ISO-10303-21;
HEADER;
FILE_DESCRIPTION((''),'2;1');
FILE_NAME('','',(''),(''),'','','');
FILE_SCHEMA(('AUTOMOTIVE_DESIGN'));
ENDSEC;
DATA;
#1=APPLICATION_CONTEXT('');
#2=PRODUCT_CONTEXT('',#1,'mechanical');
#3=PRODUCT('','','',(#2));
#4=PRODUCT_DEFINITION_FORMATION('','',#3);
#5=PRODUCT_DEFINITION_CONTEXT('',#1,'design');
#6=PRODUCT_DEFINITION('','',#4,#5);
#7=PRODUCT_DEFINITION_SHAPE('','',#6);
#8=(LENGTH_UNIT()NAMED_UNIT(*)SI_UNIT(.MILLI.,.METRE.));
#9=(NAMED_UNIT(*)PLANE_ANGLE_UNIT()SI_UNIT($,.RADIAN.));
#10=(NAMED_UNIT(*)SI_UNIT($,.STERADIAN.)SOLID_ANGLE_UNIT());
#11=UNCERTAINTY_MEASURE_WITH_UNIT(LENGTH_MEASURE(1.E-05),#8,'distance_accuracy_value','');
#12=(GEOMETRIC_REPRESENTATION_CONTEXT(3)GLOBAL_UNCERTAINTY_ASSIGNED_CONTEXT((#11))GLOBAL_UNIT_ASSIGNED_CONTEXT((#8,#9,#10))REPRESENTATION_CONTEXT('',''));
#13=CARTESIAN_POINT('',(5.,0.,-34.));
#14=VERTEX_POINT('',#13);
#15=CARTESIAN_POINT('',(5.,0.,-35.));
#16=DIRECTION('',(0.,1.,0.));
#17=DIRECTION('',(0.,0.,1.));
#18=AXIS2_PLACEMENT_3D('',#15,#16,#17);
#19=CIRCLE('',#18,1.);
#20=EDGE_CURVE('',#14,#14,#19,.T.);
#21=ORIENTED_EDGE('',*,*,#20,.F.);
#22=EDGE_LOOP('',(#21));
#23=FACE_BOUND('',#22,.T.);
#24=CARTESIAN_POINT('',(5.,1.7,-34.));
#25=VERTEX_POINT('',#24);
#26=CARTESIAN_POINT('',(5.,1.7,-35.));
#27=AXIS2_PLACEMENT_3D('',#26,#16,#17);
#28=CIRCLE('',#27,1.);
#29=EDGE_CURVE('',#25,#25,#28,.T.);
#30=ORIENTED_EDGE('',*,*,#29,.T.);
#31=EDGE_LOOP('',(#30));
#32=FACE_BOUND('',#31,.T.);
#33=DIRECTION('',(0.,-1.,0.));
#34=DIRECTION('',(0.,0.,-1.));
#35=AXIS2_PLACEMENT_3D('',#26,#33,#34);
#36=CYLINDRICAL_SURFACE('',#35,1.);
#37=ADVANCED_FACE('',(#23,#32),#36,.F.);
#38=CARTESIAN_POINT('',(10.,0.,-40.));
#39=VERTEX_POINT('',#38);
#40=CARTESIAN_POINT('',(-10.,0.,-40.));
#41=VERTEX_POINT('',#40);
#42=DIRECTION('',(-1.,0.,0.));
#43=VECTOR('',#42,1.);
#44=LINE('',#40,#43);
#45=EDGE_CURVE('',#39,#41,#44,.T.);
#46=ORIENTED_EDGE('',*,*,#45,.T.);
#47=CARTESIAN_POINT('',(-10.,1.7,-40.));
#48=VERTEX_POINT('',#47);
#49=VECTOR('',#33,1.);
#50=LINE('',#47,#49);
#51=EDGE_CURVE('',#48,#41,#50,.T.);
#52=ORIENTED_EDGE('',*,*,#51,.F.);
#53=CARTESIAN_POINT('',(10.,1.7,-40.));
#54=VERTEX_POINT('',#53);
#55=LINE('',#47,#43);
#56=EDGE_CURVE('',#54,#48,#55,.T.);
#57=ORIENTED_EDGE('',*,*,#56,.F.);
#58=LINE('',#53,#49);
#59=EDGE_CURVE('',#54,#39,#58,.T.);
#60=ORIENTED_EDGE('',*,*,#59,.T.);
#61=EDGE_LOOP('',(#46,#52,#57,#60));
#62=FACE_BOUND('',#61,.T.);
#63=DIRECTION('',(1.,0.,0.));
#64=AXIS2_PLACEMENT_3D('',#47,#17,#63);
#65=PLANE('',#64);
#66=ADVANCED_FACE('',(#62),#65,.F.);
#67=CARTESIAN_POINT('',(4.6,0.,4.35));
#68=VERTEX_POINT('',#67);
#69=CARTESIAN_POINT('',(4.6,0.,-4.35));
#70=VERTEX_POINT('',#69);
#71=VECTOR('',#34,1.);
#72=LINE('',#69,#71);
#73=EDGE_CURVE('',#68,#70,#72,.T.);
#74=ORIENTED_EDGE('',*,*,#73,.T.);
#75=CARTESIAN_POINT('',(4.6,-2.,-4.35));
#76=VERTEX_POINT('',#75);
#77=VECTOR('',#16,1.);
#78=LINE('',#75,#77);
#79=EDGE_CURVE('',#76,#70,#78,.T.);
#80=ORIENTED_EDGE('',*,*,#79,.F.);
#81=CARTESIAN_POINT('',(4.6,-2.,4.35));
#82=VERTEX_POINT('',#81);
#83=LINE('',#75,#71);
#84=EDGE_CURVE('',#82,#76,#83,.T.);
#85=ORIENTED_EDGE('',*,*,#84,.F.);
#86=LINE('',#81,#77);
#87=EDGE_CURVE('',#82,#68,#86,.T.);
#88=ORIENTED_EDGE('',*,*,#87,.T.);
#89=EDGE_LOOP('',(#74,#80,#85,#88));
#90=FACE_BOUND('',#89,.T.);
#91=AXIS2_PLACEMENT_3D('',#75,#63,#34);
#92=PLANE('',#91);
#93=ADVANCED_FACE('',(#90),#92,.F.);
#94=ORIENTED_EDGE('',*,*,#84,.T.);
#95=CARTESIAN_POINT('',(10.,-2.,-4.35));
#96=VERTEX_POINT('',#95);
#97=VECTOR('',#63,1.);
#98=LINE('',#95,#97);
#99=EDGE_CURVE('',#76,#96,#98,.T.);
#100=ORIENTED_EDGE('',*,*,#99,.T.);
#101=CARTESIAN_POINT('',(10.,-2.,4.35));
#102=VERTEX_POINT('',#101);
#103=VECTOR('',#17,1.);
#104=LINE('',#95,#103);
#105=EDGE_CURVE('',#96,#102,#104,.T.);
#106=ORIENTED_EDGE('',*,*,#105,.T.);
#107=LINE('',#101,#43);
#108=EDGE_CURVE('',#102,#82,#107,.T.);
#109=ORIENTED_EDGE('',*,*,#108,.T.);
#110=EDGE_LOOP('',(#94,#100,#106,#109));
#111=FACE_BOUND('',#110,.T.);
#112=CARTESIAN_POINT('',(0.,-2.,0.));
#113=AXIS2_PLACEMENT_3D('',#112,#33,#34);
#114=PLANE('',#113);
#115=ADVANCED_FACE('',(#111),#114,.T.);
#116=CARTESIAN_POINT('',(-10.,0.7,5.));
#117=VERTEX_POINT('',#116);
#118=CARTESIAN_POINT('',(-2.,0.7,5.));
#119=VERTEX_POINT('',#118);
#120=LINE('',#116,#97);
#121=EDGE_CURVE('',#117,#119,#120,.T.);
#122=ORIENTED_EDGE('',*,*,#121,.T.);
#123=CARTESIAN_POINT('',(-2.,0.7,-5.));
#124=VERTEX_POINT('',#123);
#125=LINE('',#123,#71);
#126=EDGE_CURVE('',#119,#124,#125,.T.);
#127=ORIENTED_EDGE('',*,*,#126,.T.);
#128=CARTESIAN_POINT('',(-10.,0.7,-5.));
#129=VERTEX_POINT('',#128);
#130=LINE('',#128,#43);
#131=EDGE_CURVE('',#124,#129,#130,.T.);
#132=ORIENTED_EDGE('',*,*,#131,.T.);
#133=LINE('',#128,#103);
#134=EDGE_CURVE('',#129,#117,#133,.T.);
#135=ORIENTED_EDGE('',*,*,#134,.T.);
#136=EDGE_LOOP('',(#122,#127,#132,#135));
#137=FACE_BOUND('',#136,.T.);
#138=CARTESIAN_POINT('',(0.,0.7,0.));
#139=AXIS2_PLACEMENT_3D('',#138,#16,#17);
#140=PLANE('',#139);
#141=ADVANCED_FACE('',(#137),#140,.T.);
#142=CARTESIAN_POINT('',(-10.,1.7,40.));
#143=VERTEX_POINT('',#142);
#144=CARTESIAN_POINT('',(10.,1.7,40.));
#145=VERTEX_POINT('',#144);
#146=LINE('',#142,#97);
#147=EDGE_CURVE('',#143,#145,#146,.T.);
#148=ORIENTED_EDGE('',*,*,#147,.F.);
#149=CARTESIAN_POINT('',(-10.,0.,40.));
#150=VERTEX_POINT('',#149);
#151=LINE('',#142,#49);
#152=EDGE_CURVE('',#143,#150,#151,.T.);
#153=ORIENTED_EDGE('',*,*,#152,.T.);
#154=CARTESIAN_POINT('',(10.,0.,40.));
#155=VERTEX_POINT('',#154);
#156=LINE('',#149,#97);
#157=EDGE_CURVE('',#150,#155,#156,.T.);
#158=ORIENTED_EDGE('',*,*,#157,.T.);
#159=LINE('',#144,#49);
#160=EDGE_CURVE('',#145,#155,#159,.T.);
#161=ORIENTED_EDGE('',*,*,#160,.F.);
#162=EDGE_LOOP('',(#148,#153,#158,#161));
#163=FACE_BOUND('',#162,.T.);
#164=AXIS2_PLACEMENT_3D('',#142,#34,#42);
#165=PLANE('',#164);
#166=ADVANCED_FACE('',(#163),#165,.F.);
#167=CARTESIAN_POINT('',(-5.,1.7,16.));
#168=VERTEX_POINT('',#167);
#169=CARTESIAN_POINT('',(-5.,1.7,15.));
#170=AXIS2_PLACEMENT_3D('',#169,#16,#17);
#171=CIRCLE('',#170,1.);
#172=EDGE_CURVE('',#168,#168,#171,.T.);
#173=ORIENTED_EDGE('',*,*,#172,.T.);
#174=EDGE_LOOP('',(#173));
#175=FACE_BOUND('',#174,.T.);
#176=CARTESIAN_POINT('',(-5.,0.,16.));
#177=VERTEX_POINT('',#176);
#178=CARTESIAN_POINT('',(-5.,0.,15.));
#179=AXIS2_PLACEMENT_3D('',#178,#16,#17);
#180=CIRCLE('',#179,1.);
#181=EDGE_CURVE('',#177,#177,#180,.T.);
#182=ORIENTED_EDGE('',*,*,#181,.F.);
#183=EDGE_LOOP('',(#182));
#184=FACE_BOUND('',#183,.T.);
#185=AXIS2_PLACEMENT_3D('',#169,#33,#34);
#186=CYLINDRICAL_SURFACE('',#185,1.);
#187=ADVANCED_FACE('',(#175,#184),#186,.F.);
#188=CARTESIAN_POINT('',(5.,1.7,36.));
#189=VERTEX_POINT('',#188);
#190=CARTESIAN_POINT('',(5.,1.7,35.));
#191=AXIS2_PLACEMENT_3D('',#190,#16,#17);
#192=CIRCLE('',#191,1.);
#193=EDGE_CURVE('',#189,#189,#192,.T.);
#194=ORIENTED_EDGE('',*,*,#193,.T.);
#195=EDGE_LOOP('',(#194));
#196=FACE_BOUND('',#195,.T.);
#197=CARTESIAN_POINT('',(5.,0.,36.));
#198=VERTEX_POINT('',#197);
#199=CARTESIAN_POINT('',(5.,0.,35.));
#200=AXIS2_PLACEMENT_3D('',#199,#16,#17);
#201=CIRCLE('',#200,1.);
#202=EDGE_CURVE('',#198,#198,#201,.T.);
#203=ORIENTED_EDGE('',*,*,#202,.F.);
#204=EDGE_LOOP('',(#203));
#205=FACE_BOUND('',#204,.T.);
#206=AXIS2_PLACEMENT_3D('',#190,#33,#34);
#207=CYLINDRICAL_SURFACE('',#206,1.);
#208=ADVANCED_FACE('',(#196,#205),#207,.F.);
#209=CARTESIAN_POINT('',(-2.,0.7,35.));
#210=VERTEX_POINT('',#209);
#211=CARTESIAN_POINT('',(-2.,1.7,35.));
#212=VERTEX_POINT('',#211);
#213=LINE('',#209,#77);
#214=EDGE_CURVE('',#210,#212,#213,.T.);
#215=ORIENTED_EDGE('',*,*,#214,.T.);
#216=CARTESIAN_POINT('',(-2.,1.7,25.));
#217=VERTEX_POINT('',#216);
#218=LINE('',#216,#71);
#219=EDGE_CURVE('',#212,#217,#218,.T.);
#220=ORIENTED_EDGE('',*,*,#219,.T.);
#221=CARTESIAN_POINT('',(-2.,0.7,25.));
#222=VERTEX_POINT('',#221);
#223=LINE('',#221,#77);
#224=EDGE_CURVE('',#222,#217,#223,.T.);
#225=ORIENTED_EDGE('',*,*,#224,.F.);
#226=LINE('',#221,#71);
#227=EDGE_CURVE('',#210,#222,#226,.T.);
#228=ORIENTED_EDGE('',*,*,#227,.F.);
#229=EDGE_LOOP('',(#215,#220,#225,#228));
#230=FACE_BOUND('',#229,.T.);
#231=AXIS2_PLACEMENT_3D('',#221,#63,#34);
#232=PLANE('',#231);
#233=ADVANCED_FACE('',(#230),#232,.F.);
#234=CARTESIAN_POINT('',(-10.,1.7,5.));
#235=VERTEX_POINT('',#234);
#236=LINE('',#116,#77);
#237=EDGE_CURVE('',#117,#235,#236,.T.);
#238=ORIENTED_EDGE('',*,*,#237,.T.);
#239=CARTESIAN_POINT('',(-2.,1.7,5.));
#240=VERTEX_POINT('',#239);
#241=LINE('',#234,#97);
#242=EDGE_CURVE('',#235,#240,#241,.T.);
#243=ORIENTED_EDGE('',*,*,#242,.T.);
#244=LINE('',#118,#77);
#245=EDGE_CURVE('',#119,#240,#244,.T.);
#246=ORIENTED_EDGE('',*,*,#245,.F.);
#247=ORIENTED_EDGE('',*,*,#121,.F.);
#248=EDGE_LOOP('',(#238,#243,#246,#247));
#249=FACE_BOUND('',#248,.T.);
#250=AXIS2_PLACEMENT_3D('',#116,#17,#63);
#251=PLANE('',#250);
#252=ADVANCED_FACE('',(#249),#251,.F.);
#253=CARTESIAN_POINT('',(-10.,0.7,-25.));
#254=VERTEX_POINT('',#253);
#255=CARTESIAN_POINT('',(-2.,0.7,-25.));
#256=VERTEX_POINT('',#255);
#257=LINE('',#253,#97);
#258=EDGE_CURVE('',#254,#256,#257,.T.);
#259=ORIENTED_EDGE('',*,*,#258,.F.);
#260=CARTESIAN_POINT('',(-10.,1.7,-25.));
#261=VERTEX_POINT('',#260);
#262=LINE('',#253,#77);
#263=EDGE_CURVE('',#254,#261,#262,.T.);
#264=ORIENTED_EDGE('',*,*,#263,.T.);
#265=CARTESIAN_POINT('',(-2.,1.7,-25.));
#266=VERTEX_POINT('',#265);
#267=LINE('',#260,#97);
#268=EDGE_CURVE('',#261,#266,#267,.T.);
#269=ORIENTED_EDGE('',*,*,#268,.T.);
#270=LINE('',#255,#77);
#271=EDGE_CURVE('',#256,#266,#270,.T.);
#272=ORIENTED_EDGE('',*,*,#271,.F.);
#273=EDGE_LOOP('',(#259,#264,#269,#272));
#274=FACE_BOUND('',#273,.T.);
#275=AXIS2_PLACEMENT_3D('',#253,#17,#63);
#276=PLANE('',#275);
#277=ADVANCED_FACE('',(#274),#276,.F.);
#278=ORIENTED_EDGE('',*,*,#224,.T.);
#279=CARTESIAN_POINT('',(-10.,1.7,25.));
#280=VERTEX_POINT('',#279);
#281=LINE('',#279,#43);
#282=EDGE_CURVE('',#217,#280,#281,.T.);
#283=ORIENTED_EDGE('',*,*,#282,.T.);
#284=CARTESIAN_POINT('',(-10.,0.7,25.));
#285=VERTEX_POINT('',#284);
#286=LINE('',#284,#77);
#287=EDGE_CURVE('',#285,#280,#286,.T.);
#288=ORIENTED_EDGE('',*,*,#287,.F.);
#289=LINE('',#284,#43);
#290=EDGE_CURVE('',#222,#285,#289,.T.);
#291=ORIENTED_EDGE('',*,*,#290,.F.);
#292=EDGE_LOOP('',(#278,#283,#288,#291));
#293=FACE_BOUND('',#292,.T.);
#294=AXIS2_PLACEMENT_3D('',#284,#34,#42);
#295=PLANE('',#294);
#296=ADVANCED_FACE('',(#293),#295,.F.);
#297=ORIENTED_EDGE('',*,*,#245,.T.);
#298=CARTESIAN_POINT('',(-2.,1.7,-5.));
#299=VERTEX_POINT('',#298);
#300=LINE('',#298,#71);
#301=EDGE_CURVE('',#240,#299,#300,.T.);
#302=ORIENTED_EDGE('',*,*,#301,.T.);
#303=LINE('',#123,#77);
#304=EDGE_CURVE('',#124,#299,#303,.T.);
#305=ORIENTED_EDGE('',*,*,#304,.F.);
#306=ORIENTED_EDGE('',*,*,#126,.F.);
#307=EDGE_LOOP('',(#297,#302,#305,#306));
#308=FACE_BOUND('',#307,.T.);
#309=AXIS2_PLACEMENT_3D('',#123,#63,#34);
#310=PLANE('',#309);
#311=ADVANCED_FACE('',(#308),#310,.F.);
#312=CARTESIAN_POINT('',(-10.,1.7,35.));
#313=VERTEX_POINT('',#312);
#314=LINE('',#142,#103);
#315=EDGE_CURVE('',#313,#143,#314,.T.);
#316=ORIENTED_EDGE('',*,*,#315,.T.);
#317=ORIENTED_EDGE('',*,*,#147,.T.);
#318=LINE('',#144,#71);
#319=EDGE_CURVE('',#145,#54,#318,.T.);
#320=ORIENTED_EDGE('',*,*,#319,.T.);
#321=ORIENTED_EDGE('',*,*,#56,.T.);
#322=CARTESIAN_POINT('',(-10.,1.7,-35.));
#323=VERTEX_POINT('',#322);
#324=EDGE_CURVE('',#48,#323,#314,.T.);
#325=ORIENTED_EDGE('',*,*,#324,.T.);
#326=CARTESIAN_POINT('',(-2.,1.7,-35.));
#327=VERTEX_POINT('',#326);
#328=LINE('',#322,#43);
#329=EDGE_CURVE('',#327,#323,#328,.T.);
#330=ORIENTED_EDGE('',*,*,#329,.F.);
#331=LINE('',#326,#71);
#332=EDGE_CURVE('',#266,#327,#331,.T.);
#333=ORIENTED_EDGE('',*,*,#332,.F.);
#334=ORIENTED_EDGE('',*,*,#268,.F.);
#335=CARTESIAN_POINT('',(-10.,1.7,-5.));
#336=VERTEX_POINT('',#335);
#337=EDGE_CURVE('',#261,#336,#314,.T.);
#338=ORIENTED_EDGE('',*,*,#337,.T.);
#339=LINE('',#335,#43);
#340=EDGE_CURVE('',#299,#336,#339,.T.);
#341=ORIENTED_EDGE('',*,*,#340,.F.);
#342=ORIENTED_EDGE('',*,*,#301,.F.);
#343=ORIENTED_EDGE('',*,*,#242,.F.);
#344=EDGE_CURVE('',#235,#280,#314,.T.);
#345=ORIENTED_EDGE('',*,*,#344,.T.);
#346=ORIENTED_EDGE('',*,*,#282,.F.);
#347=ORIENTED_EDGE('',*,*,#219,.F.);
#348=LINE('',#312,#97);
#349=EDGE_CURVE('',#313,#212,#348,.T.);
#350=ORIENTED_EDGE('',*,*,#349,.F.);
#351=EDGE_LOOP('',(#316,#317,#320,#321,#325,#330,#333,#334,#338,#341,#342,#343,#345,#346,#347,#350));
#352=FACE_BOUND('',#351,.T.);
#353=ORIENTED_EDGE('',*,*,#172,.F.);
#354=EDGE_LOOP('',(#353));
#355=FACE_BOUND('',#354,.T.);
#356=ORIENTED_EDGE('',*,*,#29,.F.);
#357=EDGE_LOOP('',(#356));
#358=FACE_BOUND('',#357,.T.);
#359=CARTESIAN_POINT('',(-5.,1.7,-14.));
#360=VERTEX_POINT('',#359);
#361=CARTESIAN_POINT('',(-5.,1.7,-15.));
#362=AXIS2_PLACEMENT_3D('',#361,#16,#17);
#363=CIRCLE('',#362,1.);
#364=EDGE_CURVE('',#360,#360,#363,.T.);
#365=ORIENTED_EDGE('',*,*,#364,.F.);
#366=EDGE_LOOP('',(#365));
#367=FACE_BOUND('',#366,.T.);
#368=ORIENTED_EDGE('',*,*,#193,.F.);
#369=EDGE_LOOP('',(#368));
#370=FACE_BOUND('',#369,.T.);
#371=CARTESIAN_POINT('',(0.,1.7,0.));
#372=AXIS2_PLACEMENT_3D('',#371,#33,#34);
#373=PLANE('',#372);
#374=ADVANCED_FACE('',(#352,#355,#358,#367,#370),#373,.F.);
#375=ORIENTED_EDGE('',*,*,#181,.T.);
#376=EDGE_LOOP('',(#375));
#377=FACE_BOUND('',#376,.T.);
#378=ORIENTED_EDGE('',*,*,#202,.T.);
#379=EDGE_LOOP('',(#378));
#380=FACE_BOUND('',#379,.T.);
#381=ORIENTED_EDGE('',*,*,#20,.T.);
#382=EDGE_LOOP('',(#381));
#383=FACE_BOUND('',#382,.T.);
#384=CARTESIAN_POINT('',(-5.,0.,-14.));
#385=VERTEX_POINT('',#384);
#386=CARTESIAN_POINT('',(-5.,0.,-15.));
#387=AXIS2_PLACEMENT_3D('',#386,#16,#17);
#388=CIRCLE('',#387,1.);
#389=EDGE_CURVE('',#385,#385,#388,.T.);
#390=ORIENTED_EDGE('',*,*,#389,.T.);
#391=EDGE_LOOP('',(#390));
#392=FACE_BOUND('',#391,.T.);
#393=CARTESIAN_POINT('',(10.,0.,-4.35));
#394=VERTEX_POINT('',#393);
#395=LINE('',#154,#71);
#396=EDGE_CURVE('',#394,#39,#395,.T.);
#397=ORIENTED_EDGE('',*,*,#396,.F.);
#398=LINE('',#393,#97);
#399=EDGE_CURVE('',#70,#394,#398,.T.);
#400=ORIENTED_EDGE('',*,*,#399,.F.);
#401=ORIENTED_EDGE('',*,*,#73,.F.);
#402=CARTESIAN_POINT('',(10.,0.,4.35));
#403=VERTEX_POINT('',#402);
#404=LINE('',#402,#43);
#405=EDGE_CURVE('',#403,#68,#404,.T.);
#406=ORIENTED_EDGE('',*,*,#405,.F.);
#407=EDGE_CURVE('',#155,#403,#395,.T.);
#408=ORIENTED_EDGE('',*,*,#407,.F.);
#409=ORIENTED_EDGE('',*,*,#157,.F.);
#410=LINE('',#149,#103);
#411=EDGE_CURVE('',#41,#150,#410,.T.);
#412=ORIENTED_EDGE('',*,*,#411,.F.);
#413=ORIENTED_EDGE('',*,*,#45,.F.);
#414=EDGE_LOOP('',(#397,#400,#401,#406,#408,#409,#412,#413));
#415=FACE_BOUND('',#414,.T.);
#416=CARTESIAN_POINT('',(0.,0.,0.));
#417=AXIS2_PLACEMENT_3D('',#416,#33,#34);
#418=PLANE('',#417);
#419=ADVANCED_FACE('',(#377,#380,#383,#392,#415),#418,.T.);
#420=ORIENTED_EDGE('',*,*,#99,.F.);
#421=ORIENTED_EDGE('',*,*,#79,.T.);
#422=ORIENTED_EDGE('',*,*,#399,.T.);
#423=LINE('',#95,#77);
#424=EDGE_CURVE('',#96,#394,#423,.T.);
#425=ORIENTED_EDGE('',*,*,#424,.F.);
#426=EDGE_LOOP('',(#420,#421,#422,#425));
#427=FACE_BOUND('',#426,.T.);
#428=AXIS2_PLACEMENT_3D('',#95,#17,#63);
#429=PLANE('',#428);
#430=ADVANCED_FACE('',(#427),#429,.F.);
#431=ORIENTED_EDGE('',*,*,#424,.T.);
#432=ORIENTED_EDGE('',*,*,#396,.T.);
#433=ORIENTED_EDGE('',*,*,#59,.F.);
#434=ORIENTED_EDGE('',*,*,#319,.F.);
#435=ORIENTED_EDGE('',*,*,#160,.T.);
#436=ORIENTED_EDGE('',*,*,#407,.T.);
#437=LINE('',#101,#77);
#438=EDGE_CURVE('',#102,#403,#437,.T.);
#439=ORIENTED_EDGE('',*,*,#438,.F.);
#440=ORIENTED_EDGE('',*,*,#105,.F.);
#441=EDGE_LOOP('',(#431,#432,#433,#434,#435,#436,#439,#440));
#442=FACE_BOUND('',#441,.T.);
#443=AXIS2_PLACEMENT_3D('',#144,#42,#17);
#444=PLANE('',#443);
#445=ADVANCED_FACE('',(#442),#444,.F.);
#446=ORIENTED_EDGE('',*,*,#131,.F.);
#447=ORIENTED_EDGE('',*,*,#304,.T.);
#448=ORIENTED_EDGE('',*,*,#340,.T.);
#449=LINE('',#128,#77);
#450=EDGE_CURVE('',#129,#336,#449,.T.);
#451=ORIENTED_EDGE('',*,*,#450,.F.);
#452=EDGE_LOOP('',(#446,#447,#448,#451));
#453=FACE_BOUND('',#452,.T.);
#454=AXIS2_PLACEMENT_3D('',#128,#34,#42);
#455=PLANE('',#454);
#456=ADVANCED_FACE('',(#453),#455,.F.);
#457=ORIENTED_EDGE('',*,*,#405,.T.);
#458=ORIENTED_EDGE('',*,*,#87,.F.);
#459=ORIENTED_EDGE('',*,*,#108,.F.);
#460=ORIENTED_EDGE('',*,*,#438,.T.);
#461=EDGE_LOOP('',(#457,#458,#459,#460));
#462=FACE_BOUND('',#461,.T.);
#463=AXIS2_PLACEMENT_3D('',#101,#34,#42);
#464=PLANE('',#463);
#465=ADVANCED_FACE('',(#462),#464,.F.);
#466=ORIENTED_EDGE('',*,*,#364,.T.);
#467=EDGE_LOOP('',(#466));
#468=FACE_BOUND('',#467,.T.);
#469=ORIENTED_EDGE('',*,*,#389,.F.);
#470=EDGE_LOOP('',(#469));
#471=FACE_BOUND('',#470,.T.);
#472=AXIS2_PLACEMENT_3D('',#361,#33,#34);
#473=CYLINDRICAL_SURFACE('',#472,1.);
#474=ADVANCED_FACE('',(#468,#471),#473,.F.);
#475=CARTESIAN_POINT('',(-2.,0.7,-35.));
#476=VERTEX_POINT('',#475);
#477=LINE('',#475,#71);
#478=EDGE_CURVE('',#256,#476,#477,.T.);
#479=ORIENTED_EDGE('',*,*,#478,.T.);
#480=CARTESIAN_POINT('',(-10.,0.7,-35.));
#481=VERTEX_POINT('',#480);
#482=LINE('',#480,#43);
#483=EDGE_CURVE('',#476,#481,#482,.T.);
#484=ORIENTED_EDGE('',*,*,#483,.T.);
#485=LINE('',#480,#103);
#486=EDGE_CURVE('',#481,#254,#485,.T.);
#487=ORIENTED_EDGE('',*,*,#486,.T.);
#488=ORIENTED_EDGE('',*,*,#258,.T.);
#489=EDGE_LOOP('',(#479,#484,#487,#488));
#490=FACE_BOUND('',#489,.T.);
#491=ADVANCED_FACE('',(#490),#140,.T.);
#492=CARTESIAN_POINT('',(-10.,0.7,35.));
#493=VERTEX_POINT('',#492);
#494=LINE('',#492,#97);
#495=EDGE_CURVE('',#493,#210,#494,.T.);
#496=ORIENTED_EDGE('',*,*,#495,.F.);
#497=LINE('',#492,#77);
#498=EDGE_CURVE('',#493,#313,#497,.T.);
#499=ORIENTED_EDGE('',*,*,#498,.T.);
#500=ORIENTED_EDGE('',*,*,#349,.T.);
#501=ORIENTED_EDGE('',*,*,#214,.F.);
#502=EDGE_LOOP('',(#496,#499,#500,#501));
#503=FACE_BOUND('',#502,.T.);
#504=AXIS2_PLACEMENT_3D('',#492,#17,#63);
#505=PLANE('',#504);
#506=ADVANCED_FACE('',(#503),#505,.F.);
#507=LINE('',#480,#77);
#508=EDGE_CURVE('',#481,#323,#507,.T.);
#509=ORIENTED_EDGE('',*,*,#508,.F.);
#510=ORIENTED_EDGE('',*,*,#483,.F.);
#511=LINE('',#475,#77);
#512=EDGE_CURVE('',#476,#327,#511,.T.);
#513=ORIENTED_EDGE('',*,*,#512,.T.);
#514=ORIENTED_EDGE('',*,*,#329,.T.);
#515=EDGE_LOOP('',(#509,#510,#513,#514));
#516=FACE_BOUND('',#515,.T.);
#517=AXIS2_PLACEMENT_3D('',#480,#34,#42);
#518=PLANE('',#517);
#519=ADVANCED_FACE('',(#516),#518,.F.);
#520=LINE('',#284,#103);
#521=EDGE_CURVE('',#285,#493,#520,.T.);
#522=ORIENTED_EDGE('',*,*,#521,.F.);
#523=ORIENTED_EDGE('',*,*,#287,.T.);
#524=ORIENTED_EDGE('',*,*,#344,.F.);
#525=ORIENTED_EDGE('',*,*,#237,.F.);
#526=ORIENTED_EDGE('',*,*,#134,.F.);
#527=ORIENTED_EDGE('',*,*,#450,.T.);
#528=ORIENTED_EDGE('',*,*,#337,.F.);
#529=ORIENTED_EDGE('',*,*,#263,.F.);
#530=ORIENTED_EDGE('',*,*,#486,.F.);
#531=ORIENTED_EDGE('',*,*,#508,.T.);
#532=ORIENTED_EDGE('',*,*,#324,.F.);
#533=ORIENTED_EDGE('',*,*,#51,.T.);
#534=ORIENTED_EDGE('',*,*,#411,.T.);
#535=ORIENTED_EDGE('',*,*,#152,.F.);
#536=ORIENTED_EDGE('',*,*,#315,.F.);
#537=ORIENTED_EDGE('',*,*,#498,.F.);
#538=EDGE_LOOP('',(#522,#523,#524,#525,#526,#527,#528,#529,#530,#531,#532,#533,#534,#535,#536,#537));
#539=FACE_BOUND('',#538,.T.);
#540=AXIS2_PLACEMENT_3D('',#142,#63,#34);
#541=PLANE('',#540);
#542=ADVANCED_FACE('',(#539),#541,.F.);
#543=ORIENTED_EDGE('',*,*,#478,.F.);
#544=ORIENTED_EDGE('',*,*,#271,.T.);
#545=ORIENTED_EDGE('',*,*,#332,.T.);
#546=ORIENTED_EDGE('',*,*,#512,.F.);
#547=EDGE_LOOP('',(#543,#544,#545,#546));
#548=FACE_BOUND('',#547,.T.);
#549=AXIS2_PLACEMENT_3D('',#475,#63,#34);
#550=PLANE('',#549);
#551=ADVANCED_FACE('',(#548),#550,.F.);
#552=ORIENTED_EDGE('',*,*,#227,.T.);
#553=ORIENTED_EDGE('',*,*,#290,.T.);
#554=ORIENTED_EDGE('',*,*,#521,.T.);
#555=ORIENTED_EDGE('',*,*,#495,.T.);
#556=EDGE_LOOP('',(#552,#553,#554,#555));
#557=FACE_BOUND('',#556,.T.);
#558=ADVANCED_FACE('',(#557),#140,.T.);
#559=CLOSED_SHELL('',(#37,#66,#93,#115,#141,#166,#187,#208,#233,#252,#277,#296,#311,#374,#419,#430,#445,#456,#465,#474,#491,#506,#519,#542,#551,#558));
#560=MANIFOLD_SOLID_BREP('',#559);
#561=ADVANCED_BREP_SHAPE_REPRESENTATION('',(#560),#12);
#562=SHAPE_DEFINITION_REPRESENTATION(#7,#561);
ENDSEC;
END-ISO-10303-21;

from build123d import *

# Parameters (mm, degrees)
SKETCH_1_W          = 20
SKETCH_1_H          = 80
SKETCH_1_R          = 1
EXTRUDE_1_DEPTH     = 1.7
SKETCH_2_W          = 8
SKETCH_2_H          = 10
CUT_EXTRUDE_1_DEPTH = 1
SKETCH_3_W          = 5.4
SKETCH_3_H          = 8.7
EXTRUDE_2_DEPTH     = 2


with BuildPart() as part:
    # 草图1 → 凸台-拉伸1 (new body)
    with BuildSketch(Plane(origin=(0, 0, 0), x_dir=(1, 0, 0), z_dir=(0, 1, 0))):
        Rectangle(SKETCH_1_W, SKETCH_1_H)
        with Locations(Location((-5, 15, 0), (0, 0, 270))):
            Circle(SKETCH_1_R, mode=Mode.SUBTRACT)
        with Locations(Location((-5, -15, 0), (0, 0, 270))):
            Circle(SKETCH_1_R, mode=Mode.SUBTRACT)
        with Locations(Location((5, 35, 0), (0, 0, 270))):
            Circle(SKETCH_1_R, mode=Mode.SUBTRACT)
        with Locations(Location((5, -35, 0), (0, 0, 270))):
            Circle(SKETCH_1_R, mode=Mode.SUBTRACT)
    extrude(amount=EXTRUDE_1_DEPTH)

    # 草图2 → 切除-拉伸1 (cut)
    with BuildSketch(Plane(origin=(0, 1.7, 0), x_dir=(1, 0, 0), z_dir=(0, 1, 0))):
        with Locations((-6, -30)):
            Rectangle(SKETCH_2_W, SKETCH_2_H)
        with Locations((-6, 0)):
            Rectangle(SKETCH_2_W, SKETCH_2_H)
        with Locations((-6, 30)):
            Rectangle(SKETCH_2_W, SKETCH_2_H)
    extrude(amount=-CUT_EXTRUDE_1_DEPTH, mode=Mode.SUBTRACT)

    # 草图3 → 凸台-拉伸2 (add)
    with BuildSketch(Plane.XZ):
        with Locations((7.3, 0)):
            Rectangle(SKETCH_3_W, SKETCH_3_H)
    extrude(amount=EXTRUDE_2_DEPTH)


solid = part.part
